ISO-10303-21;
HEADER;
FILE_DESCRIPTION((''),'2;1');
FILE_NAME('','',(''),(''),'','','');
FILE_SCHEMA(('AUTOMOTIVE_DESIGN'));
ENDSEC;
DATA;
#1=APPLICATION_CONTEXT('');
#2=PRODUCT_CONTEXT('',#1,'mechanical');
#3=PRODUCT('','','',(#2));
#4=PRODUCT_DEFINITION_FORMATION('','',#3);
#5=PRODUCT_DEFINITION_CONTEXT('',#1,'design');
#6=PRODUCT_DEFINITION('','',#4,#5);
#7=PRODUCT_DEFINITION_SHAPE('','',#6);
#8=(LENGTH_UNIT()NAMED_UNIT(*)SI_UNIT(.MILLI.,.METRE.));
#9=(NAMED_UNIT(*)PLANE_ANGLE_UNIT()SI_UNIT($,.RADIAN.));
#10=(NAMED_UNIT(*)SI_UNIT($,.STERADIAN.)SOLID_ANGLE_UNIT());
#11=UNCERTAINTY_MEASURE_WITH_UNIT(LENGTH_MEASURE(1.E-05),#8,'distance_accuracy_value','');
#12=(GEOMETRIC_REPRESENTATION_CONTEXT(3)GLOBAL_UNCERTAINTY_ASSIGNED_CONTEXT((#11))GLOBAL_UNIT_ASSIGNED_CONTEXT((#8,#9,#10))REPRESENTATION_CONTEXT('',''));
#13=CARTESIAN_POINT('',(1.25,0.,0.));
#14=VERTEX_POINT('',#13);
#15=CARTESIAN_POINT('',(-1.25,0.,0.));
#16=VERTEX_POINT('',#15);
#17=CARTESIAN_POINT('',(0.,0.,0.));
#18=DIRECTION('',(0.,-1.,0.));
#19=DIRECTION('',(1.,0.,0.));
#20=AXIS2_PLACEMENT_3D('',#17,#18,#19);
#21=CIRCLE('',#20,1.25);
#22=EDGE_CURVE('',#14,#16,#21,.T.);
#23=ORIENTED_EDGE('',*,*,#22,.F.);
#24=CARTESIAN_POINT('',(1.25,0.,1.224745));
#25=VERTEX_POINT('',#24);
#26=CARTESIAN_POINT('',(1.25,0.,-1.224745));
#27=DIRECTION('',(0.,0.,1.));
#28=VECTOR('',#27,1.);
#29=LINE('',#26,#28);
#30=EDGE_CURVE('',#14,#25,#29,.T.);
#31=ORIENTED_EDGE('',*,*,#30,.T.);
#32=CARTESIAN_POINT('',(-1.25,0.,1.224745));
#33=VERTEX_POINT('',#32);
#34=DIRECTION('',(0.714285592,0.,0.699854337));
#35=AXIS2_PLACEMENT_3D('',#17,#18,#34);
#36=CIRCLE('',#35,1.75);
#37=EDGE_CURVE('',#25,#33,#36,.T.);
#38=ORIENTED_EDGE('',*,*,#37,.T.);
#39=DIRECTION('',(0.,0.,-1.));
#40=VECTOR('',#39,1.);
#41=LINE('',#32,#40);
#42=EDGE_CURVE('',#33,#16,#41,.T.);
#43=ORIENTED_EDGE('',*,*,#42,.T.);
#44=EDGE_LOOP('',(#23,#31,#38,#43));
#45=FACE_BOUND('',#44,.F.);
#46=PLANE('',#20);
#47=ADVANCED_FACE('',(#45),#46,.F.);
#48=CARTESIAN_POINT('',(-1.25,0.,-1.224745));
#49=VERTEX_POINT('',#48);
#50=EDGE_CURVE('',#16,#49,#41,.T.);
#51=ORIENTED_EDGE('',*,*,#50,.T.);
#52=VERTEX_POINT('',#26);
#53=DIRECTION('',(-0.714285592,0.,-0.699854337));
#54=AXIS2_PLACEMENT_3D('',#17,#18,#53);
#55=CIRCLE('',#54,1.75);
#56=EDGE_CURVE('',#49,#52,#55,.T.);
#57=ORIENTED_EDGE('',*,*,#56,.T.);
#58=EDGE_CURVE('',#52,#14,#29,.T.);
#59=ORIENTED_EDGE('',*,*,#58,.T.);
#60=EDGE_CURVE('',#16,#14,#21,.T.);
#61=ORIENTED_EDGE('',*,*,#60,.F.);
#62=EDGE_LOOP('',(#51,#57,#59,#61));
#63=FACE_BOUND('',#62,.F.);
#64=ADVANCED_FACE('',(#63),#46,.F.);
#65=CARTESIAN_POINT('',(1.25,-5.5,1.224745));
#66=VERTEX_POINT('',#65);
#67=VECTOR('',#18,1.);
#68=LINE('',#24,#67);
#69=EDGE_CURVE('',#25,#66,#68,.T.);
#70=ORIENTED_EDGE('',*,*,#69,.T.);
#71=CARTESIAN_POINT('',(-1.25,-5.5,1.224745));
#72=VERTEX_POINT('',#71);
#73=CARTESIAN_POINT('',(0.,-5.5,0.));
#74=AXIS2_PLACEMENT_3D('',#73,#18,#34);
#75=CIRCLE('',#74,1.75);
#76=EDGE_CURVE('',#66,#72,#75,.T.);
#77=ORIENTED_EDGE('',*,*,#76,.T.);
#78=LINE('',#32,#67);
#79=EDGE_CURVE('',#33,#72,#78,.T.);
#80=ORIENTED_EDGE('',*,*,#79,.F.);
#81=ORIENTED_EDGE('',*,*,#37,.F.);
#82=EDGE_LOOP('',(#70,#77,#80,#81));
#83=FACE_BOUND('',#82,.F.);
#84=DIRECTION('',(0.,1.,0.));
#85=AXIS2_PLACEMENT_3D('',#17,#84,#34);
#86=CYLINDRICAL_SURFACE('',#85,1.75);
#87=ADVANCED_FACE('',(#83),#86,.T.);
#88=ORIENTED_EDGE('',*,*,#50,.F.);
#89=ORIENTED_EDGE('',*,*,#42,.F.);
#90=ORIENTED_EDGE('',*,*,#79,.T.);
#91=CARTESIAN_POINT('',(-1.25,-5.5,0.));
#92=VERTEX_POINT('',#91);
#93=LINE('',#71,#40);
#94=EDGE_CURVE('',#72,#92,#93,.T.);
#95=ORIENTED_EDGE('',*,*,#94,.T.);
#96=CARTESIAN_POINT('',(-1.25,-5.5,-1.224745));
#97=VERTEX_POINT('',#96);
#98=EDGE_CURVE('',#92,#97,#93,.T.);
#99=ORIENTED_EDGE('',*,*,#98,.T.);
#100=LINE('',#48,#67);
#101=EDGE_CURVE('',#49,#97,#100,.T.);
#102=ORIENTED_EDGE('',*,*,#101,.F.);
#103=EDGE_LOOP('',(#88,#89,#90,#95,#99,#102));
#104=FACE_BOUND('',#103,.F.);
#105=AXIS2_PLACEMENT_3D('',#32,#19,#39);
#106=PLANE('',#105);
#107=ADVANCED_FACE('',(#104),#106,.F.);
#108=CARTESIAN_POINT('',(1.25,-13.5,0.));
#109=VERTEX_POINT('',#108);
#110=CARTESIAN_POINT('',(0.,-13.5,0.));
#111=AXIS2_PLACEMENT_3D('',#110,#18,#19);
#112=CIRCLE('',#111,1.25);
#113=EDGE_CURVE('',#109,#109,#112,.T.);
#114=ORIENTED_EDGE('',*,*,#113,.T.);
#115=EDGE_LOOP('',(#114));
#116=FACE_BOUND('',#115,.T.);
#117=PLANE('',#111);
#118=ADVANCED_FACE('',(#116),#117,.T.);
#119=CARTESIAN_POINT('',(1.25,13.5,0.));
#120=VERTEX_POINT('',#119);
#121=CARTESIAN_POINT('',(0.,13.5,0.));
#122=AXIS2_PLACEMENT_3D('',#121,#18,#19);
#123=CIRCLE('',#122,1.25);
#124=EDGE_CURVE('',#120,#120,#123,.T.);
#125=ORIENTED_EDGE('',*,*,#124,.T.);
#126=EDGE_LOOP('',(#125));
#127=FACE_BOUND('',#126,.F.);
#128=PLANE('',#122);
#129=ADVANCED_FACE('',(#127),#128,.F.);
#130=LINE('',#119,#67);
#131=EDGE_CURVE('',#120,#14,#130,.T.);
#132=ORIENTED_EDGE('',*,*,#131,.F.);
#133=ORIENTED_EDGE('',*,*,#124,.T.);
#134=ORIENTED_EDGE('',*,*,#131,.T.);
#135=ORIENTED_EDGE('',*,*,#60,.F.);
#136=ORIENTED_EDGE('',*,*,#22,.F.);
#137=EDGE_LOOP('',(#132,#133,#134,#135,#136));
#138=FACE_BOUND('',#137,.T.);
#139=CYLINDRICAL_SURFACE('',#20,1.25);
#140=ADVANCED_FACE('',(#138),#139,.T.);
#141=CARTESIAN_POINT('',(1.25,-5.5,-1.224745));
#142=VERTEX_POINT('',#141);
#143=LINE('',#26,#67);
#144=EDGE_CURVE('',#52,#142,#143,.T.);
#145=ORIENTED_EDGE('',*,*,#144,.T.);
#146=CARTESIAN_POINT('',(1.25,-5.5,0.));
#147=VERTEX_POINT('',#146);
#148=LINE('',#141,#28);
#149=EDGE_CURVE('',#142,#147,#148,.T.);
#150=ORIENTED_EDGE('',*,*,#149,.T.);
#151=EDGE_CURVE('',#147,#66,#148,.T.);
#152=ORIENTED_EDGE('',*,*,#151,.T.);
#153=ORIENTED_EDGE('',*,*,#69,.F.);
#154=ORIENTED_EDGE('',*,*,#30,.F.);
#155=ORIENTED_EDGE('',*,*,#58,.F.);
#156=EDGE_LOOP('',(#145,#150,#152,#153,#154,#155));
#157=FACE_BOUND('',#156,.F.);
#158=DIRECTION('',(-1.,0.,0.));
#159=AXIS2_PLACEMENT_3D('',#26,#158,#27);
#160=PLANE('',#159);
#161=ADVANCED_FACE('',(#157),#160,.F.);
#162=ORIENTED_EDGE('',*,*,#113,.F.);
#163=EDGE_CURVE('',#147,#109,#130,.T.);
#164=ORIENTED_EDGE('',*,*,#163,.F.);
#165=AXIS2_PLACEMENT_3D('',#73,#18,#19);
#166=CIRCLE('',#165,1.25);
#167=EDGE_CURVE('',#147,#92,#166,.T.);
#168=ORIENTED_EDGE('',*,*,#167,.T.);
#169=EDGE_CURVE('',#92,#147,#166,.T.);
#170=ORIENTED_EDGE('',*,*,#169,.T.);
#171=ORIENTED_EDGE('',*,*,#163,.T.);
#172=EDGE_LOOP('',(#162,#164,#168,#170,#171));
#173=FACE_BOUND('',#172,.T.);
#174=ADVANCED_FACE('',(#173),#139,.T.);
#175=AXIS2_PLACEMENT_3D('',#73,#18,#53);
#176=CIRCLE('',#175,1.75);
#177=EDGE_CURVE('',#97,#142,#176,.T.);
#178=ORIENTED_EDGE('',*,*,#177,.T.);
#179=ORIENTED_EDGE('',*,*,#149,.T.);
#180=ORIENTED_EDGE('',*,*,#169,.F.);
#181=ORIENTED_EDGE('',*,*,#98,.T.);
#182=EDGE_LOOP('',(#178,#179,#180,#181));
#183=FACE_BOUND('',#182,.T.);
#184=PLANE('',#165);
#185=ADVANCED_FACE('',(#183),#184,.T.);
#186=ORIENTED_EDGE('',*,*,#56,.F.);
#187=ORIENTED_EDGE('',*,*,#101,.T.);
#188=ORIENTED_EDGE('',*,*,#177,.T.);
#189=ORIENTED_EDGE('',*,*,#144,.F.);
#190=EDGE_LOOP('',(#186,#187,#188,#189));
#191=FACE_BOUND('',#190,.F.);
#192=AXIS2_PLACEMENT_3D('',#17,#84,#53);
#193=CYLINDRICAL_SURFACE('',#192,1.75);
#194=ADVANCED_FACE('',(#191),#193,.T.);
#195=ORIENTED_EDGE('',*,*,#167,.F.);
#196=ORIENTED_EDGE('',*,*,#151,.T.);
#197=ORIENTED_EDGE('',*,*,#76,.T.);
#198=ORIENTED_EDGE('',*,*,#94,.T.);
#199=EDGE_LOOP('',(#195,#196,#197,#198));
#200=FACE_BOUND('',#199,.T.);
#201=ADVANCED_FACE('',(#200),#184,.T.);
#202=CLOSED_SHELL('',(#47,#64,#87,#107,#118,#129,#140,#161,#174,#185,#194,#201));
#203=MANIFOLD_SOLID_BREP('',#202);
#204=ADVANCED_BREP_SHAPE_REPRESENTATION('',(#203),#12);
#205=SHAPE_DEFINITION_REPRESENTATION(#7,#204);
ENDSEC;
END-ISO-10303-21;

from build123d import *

# Parameters (mm, degrees)
F1_DEPTH = 5.5
F2_R     = 1.25
F3_DEPTH = 13.5


with BuildPart() as f1:
    # F0 (on Front) → F1 (new body)
    with BuildSketch(Plane.XZ):
        with BuildLine():
            Line((-1.25, 1.224745), (-1.25, -1.224745))
            ThreePointArc((-1.25, -1.224745), (0, -1.75), (1.25, -1.224745))
            Line((1.25, -1.224745), (1.25, 1.224745))
            ThreePointArc((1.25, 1.224745), (0, 1.75), (-1.25, 1.224745))
        make_face()
    extrude(amount=F1_DEPTH)

    # F2 (on Front) → F3 (join, symmetric)
    with BuildSketch(Plane.XZ):
        Circle(F2_R)
    extrude(amount=F3_DEPTH, both=True)


solid = f1.part
